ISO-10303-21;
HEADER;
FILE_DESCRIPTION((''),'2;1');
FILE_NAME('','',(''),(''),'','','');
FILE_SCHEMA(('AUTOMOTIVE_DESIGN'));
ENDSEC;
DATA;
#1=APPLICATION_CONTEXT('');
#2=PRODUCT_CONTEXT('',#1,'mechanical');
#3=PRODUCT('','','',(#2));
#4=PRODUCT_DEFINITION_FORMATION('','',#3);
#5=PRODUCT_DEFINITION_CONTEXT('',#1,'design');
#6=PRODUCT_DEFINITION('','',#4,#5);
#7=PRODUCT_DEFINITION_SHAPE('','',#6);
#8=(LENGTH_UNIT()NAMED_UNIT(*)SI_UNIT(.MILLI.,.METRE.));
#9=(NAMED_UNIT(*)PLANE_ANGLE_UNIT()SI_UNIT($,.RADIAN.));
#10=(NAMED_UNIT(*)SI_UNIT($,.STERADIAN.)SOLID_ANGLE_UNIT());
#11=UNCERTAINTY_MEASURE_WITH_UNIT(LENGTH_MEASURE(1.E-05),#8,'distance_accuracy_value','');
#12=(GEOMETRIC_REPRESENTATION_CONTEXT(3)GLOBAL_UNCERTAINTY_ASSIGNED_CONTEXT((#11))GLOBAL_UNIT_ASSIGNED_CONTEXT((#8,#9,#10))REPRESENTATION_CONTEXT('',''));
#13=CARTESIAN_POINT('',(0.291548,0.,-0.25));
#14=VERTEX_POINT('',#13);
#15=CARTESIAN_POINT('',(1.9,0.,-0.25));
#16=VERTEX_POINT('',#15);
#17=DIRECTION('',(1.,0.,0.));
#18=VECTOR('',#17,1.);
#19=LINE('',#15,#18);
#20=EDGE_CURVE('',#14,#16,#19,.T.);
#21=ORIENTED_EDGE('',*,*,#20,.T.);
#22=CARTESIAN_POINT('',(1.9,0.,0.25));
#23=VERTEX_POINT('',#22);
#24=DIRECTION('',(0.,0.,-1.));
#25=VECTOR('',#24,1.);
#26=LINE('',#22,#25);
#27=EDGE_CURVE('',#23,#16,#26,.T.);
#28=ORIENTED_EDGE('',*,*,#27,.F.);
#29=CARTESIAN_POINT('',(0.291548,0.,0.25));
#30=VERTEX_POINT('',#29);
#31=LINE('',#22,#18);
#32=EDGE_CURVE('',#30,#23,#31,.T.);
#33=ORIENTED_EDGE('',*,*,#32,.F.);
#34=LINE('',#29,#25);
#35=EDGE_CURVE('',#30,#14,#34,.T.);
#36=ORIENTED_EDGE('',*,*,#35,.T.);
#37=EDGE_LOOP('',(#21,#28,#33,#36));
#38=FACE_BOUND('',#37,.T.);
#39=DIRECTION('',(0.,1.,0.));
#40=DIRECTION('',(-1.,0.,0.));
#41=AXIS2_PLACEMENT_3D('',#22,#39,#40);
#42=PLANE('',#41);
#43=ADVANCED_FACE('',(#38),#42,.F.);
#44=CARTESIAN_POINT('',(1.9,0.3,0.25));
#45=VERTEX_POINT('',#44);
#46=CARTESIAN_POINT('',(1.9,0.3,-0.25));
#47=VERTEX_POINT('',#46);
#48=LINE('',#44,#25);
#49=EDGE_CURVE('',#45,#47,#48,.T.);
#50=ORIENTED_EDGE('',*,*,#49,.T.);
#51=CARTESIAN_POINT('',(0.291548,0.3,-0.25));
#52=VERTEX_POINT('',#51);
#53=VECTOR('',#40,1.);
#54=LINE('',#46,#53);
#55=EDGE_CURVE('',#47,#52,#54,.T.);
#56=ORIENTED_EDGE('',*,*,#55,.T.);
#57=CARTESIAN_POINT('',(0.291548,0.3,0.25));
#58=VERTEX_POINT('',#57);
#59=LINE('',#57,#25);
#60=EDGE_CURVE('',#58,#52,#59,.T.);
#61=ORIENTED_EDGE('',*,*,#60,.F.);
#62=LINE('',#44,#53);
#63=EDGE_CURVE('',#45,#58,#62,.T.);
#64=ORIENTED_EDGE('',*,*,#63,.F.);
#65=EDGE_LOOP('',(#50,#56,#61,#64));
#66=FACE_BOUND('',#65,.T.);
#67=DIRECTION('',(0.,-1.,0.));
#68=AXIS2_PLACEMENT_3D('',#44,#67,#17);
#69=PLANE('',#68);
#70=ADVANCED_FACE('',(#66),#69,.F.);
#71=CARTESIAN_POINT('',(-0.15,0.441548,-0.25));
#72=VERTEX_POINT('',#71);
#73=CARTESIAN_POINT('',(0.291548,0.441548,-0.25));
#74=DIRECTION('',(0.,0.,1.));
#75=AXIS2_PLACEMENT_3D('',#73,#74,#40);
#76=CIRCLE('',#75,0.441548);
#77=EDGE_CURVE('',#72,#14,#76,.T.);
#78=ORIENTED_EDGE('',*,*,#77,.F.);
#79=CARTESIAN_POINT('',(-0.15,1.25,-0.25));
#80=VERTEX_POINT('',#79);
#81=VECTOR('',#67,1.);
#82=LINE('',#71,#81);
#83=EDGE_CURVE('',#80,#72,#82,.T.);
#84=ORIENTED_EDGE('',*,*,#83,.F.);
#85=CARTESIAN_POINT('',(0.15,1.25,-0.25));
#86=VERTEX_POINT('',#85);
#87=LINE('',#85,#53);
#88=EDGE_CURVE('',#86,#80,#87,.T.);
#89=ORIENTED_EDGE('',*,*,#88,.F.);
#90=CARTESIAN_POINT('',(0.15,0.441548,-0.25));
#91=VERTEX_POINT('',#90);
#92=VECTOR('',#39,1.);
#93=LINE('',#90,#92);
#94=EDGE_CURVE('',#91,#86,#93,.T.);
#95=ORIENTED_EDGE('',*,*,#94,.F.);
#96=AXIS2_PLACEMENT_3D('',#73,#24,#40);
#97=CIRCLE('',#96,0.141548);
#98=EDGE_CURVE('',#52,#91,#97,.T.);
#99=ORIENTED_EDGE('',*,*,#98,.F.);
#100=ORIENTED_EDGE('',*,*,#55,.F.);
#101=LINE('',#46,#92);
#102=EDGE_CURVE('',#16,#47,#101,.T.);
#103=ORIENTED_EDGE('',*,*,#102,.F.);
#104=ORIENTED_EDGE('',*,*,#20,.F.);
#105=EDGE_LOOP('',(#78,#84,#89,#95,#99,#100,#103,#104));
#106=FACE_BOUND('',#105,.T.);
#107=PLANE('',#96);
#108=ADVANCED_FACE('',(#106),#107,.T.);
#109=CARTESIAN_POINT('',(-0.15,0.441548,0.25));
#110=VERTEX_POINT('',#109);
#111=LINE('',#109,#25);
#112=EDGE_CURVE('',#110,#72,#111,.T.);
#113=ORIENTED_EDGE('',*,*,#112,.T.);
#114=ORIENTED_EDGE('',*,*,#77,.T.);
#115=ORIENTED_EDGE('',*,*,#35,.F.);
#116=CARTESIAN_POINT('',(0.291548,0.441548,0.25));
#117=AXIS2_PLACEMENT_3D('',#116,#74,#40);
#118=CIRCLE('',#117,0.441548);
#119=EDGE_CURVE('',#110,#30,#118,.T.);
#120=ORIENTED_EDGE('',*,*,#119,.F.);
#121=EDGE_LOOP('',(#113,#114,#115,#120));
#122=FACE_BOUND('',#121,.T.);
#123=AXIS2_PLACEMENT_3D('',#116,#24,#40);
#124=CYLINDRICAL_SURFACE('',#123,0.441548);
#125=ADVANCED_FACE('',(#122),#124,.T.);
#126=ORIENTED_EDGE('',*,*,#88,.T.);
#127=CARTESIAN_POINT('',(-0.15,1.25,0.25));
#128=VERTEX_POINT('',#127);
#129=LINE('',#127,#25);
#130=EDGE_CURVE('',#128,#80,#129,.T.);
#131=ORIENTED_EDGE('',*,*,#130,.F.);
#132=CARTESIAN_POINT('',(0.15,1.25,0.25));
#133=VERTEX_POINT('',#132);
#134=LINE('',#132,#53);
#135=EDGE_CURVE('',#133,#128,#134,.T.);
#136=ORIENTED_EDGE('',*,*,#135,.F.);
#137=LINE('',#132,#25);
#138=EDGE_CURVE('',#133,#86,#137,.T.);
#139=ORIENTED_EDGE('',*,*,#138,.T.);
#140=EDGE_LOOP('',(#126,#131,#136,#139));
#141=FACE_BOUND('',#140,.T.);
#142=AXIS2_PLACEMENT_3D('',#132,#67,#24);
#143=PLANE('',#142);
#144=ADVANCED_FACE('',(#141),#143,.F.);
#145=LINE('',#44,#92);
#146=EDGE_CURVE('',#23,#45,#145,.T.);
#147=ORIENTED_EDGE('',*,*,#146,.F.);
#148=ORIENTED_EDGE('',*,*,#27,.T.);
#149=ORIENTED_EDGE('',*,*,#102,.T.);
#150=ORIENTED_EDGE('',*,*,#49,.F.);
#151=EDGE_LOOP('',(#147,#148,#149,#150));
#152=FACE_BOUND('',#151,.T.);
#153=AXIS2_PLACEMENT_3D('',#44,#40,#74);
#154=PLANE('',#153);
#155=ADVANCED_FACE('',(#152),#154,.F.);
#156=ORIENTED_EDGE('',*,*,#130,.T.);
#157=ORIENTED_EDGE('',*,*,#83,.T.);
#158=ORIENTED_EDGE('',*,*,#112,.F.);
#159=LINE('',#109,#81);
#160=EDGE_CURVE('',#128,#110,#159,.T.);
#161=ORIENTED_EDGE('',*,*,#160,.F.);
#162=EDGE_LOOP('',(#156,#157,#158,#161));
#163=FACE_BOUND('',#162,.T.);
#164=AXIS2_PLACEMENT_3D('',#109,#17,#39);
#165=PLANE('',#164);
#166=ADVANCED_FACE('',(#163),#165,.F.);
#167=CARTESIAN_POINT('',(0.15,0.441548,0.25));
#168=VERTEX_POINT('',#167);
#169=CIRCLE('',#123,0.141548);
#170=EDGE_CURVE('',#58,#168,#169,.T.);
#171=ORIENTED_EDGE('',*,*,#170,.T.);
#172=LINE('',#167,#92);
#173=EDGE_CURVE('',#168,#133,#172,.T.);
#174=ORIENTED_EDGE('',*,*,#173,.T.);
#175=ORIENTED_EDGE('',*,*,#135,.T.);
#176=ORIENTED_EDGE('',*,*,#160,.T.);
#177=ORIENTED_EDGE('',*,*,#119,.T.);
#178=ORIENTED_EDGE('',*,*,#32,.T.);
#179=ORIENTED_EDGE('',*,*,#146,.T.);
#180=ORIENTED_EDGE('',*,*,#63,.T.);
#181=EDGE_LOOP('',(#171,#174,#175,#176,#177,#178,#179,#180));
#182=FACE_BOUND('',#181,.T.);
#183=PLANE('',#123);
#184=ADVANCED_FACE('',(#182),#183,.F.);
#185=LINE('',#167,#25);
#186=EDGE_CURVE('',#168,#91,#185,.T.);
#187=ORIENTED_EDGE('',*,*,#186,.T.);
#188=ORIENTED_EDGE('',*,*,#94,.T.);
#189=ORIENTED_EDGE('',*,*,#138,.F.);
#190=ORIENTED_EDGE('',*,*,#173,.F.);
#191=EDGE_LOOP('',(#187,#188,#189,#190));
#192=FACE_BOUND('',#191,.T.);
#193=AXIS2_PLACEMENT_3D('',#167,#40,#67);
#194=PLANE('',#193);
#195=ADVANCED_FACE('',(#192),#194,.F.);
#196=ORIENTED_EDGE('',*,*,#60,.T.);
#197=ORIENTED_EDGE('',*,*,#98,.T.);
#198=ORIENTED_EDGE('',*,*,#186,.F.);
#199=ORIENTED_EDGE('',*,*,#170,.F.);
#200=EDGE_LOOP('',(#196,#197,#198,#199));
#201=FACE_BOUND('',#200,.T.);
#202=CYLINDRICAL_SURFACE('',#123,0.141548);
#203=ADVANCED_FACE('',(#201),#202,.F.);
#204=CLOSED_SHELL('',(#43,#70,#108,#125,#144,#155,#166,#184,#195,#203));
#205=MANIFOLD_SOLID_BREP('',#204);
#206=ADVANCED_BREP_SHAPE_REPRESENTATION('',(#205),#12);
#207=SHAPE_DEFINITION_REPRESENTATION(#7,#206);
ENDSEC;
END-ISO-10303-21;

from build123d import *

# Parameters (mm, degrees)
SALIENTE_EXTRUIR1_DEPTH      = 0.25
SALIENTE_EXTRUIR1_DEPTH_BACK = 0.25


with BuildPart() as part:
    # Croquis1 → Saliente-Extruir1 (new body, two sides)
    with BuildSketch(Plane.XY) as saliente_extruir1_sk:
        with BuildLine():
            Line((1.9, 0.3), (0.291547595, 0.3))
            ThreePointArc((0.291547595, 0.3), (0.191458331, 0.341458331), (0.15, 0.441547595))
            Line((0.15, 0.441547595), (0.15, 1.25))
            Line((0.15, 1.25), (-0.15, 1.25))
            Line((-0.15, 1.25), (-0.15, 0.441547595))
            ThreePointArc((-0.15, 0.441547595), (-0.020673704, 0.129326296), (0.291547595, 0))
            Line((0.291547595, 0), (1.9, 0))
            Line((1.9, 0), (1.9, 0.3))
        make_face()
    extrude(amount=SALIENTE_EXTRUIR1_DEPTH)
    extrude(saliente_extruir1_sk.sketch, amount=-SALIENTE_EXTRUIR1_DEPTH_BACK)


solid = part.part
